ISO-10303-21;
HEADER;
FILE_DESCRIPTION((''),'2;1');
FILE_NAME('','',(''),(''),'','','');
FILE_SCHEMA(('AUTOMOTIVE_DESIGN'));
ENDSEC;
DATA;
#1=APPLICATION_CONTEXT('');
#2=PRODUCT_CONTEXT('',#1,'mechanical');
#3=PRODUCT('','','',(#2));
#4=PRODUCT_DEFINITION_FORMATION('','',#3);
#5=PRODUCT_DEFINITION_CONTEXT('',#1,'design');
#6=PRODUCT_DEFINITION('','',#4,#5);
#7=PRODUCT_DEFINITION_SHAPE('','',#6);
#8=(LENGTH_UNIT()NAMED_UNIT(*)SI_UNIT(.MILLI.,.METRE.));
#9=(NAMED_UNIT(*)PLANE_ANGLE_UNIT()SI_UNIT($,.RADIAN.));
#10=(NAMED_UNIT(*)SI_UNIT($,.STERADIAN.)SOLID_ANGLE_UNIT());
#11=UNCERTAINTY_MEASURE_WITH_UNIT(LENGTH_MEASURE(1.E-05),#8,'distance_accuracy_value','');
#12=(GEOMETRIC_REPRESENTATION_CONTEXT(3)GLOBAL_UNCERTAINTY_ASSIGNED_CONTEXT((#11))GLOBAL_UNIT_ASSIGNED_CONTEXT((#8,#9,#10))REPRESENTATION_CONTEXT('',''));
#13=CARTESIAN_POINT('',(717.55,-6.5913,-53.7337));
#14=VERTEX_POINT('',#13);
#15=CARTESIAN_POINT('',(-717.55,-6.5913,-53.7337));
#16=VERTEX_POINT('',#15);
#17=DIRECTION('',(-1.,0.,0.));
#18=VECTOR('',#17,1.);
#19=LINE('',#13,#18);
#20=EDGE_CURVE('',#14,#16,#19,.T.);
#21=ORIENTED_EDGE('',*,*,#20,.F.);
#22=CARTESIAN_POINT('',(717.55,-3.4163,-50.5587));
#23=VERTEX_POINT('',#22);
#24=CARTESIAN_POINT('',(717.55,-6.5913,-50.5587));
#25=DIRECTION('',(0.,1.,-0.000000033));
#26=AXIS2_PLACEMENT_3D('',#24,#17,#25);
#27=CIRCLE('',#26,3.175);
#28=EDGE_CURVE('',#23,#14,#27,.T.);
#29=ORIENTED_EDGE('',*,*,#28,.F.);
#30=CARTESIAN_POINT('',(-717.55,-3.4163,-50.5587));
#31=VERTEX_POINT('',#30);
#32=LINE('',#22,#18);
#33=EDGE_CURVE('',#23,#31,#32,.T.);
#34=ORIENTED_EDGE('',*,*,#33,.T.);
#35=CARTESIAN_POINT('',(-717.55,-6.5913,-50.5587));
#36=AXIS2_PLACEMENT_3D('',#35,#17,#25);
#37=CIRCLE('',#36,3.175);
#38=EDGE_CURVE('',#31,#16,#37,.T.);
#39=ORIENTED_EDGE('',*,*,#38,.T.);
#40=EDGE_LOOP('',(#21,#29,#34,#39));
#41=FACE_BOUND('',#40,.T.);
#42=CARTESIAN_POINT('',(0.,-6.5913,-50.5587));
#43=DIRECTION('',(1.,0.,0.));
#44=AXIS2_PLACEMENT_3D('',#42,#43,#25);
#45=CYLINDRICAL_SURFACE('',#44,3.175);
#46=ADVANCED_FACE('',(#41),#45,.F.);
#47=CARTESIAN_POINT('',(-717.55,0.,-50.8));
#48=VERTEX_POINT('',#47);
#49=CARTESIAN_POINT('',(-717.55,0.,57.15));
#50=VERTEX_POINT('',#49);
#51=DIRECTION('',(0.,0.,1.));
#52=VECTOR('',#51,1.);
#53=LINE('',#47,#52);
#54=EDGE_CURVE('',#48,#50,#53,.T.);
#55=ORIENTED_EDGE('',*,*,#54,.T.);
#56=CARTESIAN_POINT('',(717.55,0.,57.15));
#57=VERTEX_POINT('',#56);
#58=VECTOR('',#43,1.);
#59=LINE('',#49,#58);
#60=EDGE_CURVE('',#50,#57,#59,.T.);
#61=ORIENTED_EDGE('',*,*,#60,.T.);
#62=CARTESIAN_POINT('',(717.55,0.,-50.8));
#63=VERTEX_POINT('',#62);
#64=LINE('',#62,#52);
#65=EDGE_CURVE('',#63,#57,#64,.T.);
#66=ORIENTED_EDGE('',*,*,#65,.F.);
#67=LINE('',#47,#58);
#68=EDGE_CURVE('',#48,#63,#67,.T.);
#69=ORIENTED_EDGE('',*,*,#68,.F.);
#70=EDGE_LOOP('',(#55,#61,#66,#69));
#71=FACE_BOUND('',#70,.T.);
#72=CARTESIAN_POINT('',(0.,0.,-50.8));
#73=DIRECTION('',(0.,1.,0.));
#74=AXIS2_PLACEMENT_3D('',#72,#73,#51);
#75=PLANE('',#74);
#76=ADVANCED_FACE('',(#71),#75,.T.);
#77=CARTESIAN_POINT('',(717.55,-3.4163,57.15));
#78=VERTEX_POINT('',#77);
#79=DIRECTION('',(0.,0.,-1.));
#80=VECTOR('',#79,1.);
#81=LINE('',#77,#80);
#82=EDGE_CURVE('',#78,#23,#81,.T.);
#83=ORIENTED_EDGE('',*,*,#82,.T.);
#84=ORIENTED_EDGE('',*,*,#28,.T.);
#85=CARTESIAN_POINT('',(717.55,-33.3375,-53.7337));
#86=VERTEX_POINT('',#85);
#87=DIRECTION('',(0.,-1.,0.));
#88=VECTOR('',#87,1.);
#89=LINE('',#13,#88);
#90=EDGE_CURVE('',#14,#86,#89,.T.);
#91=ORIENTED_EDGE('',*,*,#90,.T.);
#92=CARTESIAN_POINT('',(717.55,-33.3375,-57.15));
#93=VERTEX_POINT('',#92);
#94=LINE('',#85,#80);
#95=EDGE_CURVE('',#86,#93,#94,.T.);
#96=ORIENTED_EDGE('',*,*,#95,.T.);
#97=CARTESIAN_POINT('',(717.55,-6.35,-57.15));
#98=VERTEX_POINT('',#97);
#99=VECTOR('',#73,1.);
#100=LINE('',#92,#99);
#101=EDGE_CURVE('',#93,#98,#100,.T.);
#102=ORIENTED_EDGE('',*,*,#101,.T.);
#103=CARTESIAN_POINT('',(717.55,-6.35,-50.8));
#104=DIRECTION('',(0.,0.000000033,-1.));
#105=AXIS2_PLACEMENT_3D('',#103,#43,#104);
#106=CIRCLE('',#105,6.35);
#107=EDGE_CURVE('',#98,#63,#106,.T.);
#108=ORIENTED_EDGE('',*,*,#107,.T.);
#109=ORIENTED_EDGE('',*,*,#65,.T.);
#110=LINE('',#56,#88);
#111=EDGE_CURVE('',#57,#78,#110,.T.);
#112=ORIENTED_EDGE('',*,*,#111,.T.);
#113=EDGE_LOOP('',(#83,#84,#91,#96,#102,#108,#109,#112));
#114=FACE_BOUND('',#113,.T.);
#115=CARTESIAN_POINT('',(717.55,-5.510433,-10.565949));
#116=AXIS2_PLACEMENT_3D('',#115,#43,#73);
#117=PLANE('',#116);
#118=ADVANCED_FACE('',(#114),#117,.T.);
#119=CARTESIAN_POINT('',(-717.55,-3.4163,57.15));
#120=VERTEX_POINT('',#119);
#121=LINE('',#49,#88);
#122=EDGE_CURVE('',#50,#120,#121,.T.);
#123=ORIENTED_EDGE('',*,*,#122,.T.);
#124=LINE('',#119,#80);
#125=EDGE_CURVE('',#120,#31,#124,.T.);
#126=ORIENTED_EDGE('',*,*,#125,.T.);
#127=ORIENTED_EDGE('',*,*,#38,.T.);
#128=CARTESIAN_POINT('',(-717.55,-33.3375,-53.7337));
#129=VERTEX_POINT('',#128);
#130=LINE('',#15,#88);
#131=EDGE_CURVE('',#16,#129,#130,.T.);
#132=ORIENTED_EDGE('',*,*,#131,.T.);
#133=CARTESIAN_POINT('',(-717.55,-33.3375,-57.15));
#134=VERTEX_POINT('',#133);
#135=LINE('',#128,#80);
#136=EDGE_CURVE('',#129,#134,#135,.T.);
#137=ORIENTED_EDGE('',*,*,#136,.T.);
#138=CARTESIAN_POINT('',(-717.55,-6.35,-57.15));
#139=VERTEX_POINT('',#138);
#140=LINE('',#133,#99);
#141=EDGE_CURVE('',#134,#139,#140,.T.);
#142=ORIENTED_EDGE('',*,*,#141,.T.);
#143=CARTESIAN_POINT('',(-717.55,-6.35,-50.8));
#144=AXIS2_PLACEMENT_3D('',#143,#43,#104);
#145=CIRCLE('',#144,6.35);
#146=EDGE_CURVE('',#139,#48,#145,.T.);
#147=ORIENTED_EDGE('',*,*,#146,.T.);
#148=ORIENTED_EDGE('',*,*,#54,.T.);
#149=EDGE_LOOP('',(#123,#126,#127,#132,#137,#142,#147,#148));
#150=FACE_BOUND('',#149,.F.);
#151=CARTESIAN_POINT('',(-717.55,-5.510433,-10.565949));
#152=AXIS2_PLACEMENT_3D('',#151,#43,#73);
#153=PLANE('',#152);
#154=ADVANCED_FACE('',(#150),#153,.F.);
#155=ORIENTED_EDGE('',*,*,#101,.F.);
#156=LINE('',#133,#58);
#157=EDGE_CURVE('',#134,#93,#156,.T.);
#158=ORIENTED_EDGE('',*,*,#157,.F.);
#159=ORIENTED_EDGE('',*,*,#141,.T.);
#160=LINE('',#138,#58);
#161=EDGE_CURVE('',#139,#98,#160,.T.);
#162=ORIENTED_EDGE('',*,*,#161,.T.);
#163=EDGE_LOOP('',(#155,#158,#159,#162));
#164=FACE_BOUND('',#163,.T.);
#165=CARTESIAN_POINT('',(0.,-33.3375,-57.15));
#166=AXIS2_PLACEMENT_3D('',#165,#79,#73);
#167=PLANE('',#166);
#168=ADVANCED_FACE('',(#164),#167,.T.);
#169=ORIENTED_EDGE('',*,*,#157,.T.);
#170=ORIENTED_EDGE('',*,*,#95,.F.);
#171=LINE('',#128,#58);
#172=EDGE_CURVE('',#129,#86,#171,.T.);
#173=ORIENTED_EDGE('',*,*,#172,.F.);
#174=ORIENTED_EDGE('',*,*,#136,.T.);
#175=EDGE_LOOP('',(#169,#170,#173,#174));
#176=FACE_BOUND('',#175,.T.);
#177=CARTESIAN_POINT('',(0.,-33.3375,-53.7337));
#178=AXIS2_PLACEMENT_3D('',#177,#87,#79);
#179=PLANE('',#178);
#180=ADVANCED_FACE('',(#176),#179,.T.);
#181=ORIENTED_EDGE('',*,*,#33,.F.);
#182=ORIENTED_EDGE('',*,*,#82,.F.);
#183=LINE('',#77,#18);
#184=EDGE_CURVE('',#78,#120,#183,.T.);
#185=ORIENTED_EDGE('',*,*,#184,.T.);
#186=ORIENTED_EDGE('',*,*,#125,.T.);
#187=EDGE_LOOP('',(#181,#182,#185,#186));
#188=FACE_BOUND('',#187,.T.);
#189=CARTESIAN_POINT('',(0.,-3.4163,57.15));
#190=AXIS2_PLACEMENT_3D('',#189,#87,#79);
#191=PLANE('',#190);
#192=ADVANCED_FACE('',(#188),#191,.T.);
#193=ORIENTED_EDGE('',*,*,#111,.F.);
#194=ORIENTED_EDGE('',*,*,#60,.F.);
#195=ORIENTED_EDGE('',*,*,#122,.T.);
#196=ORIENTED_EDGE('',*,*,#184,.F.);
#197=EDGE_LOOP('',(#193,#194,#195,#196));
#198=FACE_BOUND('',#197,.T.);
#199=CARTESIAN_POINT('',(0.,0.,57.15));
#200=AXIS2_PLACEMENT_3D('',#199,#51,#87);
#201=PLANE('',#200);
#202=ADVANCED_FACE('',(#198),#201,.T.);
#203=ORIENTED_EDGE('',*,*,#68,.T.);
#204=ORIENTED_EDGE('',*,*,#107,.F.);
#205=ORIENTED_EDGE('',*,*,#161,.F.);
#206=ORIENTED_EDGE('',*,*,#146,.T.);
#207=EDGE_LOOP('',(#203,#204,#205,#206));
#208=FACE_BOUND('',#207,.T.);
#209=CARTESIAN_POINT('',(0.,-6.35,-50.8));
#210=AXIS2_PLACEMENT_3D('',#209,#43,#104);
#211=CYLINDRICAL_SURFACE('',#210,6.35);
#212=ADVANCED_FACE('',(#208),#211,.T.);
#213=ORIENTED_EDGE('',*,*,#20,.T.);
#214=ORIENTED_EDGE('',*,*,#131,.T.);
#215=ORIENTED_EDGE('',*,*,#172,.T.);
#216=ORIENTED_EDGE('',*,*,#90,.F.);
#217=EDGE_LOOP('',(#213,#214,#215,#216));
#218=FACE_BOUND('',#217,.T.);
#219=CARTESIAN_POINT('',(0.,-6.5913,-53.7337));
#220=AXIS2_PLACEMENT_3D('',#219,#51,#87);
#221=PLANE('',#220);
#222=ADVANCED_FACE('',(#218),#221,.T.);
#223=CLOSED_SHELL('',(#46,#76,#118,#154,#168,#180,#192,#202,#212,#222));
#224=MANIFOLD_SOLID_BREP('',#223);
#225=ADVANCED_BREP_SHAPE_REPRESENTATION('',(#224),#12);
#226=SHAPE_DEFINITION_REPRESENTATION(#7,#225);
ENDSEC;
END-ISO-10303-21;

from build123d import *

# Parameters (mm, degrees)
F1_DEPTH = 717.55


with BuildPart() as f1:
    # F0 (on Right) → F1 (new body, symmetric)
    with BuildSketch(Plane.YZ):
        with BuildLine():
            Line((-6.5913, -53.7337), (-33.3375, -53.7337))
            Line((-33.3375, -53.7337), (-33.3375, -57.15))
            Line((-33.3375, -57.15), (-6.35, -57.15))
            ThreePointArc((-6.35, -57.15), (-1.859872, -55.290128), (0, -50.8))
            Line((0, -50.8), (0, 57.15))
            Line((0, 57.15), (-3.4163, 57.15))
            Line((-3.4163, 57.15), (-3.4163, -50.5587))
            ThreePointArc((-3.4163, -50.5587), (-4.346236, -52.803764), (-6.5913, -53.7337))
        make_face()
    extrude(amount=F1_DEPTH, both=True)


solid = f1.part
